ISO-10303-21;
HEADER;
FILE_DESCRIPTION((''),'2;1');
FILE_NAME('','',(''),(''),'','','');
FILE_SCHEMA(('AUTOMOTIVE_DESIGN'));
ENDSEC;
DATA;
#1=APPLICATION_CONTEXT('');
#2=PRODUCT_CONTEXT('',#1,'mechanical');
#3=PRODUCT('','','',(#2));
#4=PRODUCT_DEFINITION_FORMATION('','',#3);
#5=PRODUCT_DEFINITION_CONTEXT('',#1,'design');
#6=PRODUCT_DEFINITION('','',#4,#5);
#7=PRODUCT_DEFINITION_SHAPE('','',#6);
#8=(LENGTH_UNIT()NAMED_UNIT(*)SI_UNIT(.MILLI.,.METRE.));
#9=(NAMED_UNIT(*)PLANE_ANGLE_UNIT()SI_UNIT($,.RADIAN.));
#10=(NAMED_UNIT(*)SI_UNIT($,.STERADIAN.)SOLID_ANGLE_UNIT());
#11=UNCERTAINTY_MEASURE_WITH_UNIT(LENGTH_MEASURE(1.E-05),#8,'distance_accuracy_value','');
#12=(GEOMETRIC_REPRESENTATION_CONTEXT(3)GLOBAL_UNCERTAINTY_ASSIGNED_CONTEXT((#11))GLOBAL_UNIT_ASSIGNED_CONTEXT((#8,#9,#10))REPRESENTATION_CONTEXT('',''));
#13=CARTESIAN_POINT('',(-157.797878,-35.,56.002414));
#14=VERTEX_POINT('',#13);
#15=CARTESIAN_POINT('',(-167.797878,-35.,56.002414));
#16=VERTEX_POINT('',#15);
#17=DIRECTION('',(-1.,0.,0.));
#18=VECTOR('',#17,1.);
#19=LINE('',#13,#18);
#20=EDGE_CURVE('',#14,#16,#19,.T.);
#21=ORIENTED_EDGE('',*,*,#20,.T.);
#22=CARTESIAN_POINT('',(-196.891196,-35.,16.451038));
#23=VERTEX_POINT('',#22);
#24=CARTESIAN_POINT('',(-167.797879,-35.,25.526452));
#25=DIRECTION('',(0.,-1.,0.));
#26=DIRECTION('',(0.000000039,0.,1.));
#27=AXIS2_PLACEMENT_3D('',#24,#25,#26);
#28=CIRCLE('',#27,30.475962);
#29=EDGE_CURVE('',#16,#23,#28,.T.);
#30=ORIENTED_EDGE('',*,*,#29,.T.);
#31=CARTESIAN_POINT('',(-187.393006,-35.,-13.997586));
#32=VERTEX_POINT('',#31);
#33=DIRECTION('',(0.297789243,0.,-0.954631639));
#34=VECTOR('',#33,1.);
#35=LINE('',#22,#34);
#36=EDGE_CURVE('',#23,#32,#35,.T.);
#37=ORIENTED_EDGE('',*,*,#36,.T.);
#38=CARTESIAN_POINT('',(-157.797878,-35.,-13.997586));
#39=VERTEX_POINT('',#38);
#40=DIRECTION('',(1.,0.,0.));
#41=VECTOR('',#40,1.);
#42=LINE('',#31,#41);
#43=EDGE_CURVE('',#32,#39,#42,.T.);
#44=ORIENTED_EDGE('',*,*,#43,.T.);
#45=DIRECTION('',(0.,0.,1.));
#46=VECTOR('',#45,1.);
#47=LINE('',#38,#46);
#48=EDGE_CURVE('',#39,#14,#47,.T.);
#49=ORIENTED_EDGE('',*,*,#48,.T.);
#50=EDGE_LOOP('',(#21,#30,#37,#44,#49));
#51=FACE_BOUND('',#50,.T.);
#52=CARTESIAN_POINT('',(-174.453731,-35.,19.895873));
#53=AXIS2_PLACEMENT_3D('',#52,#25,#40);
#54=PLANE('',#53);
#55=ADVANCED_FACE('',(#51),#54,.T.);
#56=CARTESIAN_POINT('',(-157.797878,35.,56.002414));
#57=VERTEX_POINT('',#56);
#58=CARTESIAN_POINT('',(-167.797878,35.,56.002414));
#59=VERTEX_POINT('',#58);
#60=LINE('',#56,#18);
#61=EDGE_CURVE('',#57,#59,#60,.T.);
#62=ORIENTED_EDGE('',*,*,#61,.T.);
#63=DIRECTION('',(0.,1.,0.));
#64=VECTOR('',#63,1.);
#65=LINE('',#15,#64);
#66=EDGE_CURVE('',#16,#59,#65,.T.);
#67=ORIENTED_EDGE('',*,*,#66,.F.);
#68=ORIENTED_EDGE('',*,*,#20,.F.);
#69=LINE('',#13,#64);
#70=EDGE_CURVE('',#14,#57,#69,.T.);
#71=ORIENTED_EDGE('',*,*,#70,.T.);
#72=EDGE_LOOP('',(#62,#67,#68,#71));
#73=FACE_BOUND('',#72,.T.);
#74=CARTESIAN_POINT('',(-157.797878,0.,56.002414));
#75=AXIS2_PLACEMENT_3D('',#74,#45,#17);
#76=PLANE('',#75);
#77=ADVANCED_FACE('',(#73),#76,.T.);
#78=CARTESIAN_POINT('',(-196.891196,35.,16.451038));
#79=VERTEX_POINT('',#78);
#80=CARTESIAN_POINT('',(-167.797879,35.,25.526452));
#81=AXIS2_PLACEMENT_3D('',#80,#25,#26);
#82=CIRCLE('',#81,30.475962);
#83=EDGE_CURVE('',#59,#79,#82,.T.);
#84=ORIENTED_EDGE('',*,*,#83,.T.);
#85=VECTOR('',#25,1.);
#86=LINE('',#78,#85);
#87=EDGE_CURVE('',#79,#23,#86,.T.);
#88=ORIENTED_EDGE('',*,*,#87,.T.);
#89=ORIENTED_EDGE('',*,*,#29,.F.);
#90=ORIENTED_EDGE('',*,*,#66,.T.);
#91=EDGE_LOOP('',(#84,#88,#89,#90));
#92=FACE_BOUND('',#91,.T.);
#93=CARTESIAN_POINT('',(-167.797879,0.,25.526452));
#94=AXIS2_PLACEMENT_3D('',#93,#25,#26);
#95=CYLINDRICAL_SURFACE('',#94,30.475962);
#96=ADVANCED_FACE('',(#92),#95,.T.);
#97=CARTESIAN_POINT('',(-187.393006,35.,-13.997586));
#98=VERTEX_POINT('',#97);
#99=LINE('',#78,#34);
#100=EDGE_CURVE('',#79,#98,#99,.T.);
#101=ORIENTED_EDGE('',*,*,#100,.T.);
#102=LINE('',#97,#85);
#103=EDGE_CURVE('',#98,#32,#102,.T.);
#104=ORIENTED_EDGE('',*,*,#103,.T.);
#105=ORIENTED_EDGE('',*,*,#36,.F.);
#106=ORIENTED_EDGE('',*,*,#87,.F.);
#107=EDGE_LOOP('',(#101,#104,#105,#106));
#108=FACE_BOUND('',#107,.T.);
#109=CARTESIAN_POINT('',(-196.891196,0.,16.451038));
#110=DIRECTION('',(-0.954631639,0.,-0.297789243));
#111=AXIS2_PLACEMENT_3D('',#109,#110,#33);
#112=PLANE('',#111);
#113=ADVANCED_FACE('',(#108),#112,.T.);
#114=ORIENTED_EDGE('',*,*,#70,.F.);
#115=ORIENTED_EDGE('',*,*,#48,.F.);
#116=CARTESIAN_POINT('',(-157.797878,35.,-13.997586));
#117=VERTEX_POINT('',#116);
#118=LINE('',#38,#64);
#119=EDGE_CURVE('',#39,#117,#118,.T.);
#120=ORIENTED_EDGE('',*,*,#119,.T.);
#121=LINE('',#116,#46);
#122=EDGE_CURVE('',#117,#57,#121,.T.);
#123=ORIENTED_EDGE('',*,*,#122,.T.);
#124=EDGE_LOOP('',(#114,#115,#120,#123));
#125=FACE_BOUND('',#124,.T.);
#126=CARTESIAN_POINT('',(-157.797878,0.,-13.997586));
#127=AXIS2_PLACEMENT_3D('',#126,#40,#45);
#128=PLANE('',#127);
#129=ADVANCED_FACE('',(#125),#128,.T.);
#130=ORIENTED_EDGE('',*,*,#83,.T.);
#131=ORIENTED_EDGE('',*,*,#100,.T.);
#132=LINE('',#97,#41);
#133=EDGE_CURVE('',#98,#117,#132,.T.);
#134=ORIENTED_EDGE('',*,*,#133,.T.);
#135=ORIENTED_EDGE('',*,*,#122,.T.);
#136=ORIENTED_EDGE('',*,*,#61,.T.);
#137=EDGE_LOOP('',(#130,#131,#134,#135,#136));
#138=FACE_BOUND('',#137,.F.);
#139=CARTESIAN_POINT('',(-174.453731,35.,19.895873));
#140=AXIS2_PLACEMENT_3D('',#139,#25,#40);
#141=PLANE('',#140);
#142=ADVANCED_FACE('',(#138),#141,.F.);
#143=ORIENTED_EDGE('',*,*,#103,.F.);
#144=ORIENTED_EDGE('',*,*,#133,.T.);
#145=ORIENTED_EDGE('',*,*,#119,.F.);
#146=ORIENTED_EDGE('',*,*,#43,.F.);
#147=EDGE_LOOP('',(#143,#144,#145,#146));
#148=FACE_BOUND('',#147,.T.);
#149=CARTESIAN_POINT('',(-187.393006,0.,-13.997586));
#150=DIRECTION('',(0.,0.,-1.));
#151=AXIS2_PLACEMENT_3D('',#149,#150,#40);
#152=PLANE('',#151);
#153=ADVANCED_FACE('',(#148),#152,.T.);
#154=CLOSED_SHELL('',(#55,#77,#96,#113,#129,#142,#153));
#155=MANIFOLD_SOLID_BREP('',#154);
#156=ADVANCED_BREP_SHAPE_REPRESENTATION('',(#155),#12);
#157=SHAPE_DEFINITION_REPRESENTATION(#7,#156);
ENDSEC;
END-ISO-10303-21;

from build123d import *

# Parameters (mm, degrees)
F1_DEPTH = 35


with BuildPart() as f1:
    # F0 (on Front) → F1 (new body, symmetric)
    with BuildSketch(Plane.XZ):
        with BuildLine():
            ThreePointArc((-167.797878, 56.002414), (-192.347484, 43.584723), (-196.891196, 16.451038))
            Line((-196.891196, 16.451038), (-187.393006, -13.997586))
            Line((-187.393006, -13.997586), (-157.797878, -13.997586))
            Line((-157.797878, -13.997586), (-157.797878, 56.002414))
            Line((-157.797878, 56.002414), (-167.797878, 56.002414))
        make_face()
    extrude(amount=F1_DEPTH, both=True)


solid = f1.part
